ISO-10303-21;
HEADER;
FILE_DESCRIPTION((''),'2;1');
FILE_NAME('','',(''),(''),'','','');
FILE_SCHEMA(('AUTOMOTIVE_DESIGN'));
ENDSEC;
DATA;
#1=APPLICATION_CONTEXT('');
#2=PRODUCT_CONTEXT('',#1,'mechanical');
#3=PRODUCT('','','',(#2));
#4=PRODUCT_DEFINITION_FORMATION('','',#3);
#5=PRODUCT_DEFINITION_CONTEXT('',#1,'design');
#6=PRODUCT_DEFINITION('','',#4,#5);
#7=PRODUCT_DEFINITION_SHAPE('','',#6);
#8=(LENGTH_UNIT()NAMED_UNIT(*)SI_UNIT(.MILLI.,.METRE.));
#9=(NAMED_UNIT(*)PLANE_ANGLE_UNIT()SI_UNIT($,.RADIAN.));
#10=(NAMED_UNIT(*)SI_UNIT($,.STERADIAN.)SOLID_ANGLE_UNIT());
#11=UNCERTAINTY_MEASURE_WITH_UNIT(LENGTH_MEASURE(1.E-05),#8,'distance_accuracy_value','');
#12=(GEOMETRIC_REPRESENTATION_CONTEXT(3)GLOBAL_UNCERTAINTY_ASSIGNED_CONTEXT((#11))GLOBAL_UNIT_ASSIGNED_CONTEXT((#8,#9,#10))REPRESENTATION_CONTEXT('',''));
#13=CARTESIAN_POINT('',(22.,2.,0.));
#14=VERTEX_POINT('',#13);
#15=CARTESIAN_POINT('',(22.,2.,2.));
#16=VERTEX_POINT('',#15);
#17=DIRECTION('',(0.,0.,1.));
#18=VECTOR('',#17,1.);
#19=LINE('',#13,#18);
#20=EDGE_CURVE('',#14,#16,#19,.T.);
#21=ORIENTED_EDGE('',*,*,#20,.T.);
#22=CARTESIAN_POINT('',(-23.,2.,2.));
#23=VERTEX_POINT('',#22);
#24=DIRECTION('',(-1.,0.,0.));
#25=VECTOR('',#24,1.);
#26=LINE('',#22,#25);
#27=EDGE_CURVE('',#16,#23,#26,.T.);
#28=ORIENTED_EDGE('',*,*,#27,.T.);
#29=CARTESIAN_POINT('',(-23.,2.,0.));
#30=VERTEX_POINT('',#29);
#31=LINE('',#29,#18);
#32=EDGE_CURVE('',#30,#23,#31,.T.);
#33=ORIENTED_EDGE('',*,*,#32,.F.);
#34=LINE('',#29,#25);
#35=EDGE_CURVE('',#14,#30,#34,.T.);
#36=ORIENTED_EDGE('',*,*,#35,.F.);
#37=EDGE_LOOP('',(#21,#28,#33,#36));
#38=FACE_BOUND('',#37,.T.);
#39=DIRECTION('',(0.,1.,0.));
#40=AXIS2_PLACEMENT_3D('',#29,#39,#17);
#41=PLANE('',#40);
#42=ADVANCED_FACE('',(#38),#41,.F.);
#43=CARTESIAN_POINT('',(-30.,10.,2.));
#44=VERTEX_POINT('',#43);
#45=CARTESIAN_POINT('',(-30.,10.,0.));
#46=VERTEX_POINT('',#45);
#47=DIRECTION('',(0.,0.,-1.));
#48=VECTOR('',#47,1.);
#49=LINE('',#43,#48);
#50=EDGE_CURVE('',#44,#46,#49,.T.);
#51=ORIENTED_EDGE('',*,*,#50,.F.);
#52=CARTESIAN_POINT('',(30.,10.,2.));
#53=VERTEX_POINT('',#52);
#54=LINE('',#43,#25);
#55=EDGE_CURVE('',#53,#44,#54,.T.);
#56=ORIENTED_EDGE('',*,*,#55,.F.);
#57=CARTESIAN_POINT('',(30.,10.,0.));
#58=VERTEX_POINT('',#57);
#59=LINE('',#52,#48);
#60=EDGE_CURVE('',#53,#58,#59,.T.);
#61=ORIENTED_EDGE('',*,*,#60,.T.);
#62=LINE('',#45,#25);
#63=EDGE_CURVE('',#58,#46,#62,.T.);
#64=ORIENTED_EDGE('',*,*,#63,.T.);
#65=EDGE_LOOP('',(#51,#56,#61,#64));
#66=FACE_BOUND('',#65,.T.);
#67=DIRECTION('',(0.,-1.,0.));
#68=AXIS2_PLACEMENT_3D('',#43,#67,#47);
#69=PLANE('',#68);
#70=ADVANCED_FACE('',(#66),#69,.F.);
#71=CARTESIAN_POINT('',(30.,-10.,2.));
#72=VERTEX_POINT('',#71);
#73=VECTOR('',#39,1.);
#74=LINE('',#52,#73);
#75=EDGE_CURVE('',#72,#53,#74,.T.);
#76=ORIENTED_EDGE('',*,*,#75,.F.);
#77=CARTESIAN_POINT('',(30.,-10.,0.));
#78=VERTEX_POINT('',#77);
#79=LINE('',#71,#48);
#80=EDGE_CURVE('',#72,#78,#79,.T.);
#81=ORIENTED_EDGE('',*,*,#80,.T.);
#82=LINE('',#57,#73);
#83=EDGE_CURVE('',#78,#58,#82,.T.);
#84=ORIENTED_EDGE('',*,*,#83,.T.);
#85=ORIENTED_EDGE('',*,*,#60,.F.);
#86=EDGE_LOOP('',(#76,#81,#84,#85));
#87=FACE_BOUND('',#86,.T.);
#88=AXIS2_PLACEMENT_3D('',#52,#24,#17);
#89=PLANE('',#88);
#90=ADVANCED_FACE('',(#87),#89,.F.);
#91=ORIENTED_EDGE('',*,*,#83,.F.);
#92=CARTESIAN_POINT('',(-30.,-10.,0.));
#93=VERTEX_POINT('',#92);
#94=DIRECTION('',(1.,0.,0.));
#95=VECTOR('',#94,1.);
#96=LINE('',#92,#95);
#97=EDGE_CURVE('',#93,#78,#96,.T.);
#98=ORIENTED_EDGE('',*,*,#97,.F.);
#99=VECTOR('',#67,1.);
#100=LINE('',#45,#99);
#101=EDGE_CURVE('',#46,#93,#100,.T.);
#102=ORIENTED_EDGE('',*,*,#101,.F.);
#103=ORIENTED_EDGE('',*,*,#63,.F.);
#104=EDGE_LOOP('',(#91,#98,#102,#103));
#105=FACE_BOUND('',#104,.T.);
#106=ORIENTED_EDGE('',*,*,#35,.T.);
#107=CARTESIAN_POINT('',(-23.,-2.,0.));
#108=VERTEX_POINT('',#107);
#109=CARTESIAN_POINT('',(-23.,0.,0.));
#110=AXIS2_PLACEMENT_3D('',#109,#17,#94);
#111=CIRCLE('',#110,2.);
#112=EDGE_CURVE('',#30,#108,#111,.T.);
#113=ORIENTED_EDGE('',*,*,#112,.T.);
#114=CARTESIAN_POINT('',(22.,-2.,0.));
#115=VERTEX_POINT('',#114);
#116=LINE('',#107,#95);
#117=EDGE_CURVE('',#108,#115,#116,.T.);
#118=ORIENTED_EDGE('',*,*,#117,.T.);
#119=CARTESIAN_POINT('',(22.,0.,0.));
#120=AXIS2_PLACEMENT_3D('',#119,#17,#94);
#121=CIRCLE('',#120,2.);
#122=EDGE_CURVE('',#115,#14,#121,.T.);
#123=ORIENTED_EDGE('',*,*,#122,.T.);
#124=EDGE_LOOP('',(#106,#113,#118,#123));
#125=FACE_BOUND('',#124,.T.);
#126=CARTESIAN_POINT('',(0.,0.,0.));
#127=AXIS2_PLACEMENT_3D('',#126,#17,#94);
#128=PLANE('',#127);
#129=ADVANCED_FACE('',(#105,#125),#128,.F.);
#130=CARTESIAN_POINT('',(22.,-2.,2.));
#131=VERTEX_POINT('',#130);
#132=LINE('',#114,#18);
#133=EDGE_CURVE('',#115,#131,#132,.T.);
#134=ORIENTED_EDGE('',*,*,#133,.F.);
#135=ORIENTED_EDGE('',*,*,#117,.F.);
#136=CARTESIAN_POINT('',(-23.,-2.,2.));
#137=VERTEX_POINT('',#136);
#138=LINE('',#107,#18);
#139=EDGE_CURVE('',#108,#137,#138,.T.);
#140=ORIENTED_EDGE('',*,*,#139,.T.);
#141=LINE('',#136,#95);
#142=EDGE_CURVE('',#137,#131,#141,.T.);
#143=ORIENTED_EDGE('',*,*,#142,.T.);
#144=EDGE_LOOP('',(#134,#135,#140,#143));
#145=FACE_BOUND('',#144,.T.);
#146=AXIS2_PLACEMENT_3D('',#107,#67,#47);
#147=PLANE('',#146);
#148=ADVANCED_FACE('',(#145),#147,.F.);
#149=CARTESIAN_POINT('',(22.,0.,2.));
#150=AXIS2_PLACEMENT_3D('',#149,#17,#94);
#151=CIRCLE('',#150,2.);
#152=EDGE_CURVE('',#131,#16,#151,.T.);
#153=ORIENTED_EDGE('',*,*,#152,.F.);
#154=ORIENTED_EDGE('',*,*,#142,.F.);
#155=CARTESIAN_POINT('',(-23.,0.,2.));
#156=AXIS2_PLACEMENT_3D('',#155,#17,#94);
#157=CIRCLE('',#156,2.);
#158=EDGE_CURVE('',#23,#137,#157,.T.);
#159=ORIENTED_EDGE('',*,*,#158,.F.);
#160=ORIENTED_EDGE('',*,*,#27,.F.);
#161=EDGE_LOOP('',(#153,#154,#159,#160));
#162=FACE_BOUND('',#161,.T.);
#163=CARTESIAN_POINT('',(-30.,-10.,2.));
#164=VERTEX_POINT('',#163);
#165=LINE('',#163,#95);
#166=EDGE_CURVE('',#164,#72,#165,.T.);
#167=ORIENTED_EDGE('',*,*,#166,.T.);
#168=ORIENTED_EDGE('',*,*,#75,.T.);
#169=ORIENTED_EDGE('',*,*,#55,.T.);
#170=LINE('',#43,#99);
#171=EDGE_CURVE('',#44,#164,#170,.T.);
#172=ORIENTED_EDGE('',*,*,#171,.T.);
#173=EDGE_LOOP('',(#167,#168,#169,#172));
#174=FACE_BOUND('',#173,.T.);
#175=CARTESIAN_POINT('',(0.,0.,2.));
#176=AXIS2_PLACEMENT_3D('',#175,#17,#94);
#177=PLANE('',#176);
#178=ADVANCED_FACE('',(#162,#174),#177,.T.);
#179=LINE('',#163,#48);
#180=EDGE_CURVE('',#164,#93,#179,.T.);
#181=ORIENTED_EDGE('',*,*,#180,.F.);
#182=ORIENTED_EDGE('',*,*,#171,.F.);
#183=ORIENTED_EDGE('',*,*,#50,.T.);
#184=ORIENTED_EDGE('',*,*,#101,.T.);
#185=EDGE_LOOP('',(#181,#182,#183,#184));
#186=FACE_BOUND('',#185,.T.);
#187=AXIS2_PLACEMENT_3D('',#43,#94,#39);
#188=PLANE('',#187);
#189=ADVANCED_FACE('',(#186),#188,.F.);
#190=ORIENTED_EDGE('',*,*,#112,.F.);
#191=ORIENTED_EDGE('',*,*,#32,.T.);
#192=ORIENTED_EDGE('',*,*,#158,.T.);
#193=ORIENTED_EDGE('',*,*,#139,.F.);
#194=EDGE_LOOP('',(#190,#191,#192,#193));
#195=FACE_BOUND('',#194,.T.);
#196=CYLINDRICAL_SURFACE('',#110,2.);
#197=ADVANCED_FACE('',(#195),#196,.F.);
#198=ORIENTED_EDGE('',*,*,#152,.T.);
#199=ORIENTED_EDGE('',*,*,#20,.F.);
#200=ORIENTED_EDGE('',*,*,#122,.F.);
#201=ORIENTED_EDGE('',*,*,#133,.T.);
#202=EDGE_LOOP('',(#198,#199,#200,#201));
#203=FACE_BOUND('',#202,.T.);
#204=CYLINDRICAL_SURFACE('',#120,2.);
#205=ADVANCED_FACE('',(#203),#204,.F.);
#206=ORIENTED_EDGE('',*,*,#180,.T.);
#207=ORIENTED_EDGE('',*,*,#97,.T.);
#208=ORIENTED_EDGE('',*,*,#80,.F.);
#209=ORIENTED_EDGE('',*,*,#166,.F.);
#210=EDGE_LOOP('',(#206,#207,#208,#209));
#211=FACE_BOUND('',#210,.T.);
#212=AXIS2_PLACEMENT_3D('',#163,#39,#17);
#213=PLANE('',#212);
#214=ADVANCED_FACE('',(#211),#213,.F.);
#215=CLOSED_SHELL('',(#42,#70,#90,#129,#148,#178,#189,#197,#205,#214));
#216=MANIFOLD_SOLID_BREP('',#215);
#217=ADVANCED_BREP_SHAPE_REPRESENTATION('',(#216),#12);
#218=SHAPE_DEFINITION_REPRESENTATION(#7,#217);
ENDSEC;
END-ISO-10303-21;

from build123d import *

# Parameters (mm, degrees)
SKETCH1_W           = 60
SKETCH1_H           = 20
BOSS_EXTRUDE1_DEPTH = 2
CUT_EXTRUDE1_DEPTH  = 2


with BuildPart() as part:
    # Sketch1 → Boss-Extrude1 (new body)
    with BuildSketch(Plane.XY):
        Rectangle(SKETCH1_W, SKETCH1_H)
    extrude(amount=BOSS_EXTRUDE1_DEPTH)

    # Sketch2 → Cut-Extrude1 (cut)
    with BuildSketch(Plane.XY.offset(2)):
        with BuildLine():
            Line((-23, 2), (22, 2))
            ThreePointArc((22, 2), (24, 0), (22, -2))
            Line((22, -2), (-23, -2))
            ThreePointArc((-23, -2), (-25, 0), (-23, 2))
        make_face()
    extrude(amount=-CUT_EXTRUDE1_DEPTH, mode=Mode.SUBTRACT)


solid = part.part
